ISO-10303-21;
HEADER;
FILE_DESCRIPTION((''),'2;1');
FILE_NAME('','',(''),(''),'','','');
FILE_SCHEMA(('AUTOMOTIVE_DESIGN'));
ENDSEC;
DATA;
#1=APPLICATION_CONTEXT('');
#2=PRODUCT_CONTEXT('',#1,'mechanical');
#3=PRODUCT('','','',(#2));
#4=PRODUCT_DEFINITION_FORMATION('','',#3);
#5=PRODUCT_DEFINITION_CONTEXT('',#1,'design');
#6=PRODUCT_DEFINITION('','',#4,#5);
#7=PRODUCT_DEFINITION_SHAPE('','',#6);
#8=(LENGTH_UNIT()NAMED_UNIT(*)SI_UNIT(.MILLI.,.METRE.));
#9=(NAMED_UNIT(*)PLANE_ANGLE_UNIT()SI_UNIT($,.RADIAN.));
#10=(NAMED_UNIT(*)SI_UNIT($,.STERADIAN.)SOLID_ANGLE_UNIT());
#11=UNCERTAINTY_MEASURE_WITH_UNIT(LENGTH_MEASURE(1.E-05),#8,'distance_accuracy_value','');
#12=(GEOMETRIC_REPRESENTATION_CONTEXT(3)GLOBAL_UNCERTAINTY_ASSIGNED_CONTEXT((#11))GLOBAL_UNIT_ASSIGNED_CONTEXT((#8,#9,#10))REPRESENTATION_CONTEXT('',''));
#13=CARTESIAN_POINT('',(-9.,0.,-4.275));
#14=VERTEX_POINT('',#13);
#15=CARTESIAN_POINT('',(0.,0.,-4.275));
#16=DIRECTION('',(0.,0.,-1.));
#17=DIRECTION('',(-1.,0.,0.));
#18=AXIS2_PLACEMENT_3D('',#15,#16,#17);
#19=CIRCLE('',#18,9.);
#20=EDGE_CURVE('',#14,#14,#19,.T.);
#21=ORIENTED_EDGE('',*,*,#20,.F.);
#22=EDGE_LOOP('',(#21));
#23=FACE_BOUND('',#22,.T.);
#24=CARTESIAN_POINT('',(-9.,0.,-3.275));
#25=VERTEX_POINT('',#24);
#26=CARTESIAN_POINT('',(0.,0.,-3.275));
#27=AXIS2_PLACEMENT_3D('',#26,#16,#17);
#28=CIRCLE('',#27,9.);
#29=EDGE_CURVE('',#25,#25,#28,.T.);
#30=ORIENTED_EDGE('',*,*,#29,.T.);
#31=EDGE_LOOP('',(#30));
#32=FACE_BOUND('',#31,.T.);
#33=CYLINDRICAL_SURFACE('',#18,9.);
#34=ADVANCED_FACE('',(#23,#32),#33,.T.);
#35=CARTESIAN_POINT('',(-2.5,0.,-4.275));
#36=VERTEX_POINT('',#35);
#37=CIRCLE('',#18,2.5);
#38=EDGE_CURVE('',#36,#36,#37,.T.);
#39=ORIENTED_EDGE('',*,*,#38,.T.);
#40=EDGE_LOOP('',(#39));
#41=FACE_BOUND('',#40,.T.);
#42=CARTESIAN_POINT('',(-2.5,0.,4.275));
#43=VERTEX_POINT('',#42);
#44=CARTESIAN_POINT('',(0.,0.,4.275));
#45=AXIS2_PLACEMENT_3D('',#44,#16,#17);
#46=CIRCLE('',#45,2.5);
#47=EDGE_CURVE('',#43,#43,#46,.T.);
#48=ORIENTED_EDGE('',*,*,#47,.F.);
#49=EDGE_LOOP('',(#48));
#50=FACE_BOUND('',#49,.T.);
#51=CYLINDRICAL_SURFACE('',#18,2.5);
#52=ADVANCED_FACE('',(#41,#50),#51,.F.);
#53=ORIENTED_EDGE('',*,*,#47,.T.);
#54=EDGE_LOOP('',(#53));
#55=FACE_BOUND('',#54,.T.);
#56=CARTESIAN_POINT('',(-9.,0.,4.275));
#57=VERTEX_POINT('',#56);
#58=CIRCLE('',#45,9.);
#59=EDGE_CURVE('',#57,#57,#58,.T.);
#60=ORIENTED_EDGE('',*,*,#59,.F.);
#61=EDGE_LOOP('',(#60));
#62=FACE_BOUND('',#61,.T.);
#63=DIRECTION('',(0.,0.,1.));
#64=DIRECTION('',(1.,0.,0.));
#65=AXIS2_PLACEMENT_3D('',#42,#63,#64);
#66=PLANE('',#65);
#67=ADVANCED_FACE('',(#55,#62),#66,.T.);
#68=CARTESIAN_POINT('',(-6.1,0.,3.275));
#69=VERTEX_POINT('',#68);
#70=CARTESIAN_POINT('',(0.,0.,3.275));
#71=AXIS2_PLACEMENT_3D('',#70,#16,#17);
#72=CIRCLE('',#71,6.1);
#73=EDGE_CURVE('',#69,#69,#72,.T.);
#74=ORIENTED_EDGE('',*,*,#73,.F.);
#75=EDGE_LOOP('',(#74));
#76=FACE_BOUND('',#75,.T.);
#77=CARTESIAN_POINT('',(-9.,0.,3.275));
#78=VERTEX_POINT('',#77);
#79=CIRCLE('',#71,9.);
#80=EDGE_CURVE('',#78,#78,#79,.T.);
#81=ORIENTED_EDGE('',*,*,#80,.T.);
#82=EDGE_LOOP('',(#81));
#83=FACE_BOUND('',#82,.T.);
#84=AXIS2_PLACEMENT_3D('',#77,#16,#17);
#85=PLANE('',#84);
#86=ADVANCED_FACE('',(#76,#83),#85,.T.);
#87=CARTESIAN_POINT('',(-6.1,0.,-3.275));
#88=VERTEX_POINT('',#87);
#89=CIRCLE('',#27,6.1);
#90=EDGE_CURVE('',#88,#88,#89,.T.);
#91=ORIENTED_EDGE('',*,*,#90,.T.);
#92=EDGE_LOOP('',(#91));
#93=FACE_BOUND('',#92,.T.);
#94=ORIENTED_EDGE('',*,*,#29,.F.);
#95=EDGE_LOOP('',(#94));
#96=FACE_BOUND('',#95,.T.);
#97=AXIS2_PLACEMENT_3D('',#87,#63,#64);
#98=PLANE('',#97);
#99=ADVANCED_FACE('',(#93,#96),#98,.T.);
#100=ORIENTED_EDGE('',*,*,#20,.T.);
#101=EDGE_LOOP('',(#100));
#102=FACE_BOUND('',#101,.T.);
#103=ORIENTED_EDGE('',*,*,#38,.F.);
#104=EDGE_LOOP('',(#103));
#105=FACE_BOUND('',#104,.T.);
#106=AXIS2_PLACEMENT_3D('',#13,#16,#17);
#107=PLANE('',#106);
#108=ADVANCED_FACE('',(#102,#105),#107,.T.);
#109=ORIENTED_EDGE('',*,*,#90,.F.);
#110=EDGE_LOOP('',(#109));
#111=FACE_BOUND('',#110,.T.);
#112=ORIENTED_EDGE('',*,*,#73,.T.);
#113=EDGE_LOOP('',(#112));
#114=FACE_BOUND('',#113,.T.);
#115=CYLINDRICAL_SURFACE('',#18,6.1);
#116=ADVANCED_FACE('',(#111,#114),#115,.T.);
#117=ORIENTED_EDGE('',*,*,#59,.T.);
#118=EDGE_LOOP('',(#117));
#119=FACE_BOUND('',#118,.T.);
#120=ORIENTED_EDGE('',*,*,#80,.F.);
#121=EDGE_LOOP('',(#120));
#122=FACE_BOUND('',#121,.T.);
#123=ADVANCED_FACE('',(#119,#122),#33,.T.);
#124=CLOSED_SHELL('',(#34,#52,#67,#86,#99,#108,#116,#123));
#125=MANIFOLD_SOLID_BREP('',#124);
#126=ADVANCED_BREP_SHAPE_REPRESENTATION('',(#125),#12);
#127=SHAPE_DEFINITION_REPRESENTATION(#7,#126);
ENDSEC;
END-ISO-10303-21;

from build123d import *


with BuildPart() as part:
    # Sketch2 → Revolve1 (revolve)
    with BuildSketch(Plane(origin=(0, 0, 0), x_dir=(1, 0, 0), z_dir=(0, 1, 0))):
        Polygon((-9, 4.275), (-2.5, 4.275), (-2.5, -4.275), (-9, -4.275), (-9, -3.275), (-6.1, -3.275), (-6.1, 3.275), (-9, 3.275), align=None)
    revolve(axis=Axis((0, 0, -4.275), (0, 0, 1)))


solid = part.part
